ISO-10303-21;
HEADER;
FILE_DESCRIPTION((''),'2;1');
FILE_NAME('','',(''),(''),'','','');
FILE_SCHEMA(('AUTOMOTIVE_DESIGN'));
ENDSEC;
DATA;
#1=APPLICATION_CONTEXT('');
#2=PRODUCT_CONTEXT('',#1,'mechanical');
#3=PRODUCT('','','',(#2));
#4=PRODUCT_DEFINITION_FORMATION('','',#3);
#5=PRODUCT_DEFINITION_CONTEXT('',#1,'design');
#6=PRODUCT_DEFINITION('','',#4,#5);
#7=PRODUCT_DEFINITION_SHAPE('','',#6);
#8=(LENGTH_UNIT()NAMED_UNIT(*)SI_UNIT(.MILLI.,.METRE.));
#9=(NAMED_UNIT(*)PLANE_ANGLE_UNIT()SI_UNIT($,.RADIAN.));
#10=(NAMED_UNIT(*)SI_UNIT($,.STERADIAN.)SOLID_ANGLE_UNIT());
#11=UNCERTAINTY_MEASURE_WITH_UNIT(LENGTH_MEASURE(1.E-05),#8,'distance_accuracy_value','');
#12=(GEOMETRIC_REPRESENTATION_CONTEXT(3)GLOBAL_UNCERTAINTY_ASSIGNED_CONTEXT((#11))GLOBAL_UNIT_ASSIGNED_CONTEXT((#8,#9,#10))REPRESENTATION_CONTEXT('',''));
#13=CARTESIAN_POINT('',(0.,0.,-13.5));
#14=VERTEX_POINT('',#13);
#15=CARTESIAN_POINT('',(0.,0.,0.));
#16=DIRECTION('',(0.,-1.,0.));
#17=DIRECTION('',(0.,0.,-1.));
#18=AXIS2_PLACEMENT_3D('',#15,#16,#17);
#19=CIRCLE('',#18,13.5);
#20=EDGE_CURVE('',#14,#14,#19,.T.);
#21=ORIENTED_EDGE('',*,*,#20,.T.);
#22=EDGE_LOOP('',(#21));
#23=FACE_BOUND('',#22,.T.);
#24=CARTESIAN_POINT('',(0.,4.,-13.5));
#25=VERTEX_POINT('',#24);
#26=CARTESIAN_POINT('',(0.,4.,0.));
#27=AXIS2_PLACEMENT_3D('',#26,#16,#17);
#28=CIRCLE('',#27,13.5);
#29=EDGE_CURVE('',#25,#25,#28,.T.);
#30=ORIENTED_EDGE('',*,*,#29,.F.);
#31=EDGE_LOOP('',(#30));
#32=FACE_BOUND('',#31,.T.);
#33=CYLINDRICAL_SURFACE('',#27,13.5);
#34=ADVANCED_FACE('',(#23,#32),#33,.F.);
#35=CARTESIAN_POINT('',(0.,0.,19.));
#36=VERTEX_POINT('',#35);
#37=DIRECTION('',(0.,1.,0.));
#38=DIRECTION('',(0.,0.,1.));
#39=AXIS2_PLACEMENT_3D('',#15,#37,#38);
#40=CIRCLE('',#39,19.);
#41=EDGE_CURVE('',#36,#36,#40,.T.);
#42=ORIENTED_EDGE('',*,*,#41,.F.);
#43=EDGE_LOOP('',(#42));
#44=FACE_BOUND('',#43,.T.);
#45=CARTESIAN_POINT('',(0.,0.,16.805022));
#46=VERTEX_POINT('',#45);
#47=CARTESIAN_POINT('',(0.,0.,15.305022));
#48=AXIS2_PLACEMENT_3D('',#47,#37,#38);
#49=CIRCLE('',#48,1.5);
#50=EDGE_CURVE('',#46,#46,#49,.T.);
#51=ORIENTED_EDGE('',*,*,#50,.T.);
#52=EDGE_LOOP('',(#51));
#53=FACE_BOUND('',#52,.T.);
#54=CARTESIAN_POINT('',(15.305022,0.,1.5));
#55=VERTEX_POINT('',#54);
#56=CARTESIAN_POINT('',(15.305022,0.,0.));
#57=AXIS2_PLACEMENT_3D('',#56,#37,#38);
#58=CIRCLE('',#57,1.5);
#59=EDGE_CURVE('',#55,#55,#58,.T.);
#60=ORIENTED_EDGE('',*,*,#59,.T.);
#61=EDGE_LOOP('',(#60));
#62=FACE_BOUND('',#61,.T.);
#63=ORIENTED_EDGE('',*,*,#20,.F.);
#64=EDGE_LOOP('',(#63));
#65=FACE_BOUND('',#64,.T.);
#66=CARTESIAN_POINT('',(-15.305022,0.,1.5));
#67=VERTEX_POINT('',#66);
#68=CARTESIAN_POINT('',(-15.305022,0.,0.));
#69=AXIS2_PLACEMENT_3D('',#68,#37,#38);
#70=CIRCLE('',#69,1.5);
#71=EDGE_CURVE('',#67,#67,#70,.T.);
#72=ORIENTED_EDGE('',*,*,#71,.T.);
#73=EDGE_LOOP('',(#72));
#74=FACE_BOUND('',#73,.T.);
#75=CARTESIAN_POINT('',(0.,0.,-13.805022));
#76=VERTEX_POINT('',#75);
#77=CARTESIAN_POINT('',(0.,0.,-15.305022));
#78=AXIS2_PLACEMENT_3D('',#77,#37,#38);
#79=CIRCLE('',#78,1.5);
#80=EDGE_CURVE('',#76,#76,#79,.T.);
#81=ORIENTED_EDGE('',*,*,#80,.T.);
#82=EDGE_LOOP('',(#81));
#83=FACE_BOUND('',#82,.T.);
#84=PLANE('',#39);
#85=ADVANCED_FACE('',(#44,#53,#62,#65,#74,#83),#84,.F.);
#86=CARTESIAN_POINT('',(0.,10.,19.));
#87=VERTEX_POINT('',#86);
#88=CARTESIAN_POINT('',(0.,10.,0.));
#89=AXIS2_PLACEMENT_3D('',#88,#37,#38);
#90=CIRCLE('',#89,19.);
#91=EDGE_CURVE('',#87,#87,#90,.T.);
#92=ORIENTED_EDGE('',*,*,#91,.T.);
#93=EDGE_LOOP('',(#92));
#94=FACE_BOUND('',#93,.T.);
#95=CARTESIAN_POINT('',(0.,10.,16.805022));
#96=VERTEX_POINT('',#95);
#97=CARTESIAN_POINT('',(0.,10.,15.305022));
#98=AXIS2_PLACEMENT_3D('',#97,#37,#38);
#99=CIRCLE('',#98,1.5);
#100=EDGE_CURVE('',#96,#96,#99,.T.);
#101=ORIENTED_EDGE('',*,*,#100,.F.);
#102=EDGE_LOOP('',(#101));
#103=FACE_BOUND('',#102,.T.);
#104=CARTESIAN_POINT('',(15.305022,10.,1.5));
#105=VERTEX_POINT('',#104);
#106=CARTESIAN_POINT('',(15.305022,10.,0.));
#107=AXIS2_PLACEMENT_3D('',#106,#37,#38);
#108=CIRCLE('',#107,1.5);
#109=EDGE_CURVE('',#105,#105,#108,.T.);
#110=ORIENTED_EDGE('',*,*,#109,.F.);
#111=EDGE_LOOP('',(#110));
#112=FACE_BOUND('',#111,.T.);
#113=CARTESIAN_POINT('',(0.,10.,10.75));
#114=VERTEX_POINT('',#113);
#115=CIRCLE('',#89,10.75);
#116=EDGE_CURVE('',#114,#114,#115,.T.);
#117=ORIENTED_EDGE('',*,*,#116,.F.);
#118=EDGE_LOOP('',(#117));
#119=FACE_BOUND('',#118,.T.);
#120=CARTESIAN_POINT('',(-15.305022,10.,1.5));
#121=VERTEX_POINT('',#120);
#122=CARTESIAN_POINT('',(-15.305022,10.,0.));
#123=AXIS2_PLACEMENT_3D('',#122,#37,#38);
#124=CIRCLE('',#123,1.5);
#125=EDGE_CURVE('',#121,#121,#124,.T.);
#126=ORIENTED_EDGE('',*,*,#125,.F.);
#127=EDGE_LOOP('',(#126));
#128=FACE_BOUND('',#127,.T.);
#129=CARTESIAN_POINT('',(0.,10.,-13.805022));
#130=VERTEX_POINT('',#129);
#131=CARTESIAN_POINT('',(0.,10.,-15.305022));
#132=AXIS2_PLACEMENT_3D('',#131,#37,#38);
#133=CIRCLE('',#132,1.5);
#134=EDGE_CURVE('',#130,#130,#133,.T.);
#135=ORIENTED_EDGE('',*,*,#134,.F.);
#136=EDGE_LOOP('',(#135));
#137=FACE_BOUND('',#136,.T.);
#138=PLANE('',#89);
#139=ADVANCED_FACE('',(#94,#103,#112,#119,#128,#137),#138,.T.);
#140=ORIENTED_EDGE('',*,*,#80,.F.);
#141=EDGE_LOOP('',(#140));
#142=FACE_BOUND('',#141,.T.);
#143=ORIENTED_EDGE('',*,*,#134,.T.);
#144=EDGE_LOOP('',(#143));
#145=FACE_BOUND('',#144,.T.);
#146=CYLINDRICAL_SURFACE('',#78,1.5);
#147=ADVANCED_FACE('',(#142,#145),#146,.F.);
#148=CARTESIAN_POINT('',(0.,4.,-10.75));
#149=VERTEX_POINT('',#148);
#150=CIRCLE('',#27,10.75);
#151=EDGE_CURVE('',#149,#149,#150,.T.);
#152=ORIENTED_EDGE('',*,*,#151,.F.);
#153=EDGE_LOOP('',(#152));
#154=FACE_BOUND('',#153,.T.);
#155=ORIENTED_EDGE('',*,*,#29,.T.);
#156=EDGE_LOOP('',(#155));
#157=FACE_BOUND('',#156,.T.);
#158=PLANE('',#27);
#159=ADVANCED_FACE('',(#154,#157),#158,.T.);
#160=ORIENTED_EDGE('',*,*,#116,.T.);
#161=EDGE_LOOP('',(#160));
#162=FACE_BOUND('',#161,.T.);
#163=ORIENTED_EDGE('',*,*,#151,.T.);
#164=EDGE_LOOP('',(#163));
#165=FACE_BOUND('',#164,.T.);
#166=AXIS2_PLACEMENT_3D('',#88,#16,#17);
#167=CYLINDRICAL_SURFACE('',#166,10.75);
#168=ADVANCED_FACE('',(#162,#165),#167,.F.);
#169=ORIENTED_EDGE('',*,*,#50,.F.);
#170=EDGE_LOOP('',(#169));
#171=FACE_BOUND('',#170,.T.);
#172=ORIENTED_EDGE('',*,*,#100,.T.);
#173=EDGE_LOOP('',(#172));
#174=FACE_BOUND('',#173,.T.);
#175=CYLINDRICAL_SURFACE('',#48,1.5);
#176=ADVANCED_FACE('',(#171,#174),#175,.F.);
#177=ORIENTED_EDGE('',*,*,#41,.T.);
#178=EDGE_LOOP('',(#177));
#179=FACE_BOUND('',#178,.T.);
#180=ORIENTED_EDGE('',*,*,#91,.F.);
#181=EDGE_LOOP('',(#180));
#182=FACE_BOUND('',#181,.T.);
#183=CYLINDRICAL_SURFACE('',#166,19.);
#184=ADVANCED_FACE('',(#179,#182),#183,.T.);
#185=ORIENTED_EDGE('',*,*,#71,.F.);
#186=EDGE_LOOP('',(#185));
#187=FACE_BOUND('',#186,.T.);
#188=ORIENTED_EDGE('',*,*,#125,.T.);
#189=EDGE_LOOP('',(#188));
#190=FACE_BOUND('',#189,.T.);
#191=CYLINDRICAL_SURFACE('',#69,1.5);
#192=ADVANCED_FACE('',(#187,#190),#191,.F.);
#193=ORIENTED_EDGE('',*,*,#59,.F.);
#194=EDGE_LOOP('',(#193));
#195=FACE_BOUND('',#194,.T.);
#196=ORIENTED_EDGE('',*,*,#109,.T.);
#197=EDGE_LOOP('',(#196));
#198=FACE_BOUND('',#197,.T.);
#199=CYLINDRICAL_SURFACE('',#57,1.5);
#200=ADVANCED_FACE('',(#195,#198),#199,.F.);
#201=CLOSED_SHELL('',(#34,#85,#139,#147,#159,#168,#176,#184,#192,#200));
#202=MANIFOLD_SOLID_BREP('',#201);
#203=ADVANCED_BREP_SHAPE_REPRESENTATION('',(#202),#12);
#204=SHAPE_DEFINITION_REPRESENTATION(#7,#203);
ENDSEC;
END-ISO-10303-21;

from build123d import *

# Parameters (mm, degrees)
SKETCH1_R          = 19
SKETCH1_R_2        = 10.75
EXTRUDE1_DEPTH     = 10
SKETCH2_R          = 13.5
CUT_EXTRUDE1_DEPTH = 4
SKETCH3_R          = 1.5
CUT_EXTRUDE2_DEPTH = 29.670542374


with BuildPart() as part:
    # Sketch1 → Extrude1 (new body)
    with BuildSketch(Plane(origin=(0, 0, 0), x_dir=(1, 0, 0), z_dir=(0, 1, 0))):
        with Locations(Location((0, 0, 0), (0, 0, 270))):
            Circle(SKETCH1_R)
        with Locations(Location((0, 0, 0), (0, 0, 270))):
            Circle(SKETCH1_R_2, mode=Mode.SUBTRACT)
    extrude(amount=EXTRUDE1_DEPTH)

    # Sketch2 → Cut-Extrude1 (cut)
    with BuildSketch(Plane.XZ):
        with Locations(Location((0, 0, 0), (0, 0, 270))):
            Circle(SKETCH2_R)
    extrude(amount=-CUT_EXTRUDE1_DEPTH, mode=Mode.SUBTRACT)

    # Sketch3 → Cut-Extrude2 (cut, through all)
    with BuildSketch(Plane(origin=(0, 10, 0), x_dir=(1, 0, 0), z_dir=(0, 1, 0))):
        with Locations(Location((0, 15.305022153, 0), (0, 0, 270))):
            Circle(SKETCH3_R)
        with Locations(Location((15.305022153, 0, 0), (0, 0, 270))):
            Circle(SKETCH3_R)
        with Locations(Location((0, -15.305022153, 0), (0, 0, 270))):
            Circle(SKETCH3_R)
        with Locations(Location((-15.305022153, 0, 0), (0, 0, 270))):
            Circle(SKETCH3_R)
    extrude(amount=-CUT_EXTRUDE2_DEPTH, mode=Mode.SUBTRACT)


solid = part.part
